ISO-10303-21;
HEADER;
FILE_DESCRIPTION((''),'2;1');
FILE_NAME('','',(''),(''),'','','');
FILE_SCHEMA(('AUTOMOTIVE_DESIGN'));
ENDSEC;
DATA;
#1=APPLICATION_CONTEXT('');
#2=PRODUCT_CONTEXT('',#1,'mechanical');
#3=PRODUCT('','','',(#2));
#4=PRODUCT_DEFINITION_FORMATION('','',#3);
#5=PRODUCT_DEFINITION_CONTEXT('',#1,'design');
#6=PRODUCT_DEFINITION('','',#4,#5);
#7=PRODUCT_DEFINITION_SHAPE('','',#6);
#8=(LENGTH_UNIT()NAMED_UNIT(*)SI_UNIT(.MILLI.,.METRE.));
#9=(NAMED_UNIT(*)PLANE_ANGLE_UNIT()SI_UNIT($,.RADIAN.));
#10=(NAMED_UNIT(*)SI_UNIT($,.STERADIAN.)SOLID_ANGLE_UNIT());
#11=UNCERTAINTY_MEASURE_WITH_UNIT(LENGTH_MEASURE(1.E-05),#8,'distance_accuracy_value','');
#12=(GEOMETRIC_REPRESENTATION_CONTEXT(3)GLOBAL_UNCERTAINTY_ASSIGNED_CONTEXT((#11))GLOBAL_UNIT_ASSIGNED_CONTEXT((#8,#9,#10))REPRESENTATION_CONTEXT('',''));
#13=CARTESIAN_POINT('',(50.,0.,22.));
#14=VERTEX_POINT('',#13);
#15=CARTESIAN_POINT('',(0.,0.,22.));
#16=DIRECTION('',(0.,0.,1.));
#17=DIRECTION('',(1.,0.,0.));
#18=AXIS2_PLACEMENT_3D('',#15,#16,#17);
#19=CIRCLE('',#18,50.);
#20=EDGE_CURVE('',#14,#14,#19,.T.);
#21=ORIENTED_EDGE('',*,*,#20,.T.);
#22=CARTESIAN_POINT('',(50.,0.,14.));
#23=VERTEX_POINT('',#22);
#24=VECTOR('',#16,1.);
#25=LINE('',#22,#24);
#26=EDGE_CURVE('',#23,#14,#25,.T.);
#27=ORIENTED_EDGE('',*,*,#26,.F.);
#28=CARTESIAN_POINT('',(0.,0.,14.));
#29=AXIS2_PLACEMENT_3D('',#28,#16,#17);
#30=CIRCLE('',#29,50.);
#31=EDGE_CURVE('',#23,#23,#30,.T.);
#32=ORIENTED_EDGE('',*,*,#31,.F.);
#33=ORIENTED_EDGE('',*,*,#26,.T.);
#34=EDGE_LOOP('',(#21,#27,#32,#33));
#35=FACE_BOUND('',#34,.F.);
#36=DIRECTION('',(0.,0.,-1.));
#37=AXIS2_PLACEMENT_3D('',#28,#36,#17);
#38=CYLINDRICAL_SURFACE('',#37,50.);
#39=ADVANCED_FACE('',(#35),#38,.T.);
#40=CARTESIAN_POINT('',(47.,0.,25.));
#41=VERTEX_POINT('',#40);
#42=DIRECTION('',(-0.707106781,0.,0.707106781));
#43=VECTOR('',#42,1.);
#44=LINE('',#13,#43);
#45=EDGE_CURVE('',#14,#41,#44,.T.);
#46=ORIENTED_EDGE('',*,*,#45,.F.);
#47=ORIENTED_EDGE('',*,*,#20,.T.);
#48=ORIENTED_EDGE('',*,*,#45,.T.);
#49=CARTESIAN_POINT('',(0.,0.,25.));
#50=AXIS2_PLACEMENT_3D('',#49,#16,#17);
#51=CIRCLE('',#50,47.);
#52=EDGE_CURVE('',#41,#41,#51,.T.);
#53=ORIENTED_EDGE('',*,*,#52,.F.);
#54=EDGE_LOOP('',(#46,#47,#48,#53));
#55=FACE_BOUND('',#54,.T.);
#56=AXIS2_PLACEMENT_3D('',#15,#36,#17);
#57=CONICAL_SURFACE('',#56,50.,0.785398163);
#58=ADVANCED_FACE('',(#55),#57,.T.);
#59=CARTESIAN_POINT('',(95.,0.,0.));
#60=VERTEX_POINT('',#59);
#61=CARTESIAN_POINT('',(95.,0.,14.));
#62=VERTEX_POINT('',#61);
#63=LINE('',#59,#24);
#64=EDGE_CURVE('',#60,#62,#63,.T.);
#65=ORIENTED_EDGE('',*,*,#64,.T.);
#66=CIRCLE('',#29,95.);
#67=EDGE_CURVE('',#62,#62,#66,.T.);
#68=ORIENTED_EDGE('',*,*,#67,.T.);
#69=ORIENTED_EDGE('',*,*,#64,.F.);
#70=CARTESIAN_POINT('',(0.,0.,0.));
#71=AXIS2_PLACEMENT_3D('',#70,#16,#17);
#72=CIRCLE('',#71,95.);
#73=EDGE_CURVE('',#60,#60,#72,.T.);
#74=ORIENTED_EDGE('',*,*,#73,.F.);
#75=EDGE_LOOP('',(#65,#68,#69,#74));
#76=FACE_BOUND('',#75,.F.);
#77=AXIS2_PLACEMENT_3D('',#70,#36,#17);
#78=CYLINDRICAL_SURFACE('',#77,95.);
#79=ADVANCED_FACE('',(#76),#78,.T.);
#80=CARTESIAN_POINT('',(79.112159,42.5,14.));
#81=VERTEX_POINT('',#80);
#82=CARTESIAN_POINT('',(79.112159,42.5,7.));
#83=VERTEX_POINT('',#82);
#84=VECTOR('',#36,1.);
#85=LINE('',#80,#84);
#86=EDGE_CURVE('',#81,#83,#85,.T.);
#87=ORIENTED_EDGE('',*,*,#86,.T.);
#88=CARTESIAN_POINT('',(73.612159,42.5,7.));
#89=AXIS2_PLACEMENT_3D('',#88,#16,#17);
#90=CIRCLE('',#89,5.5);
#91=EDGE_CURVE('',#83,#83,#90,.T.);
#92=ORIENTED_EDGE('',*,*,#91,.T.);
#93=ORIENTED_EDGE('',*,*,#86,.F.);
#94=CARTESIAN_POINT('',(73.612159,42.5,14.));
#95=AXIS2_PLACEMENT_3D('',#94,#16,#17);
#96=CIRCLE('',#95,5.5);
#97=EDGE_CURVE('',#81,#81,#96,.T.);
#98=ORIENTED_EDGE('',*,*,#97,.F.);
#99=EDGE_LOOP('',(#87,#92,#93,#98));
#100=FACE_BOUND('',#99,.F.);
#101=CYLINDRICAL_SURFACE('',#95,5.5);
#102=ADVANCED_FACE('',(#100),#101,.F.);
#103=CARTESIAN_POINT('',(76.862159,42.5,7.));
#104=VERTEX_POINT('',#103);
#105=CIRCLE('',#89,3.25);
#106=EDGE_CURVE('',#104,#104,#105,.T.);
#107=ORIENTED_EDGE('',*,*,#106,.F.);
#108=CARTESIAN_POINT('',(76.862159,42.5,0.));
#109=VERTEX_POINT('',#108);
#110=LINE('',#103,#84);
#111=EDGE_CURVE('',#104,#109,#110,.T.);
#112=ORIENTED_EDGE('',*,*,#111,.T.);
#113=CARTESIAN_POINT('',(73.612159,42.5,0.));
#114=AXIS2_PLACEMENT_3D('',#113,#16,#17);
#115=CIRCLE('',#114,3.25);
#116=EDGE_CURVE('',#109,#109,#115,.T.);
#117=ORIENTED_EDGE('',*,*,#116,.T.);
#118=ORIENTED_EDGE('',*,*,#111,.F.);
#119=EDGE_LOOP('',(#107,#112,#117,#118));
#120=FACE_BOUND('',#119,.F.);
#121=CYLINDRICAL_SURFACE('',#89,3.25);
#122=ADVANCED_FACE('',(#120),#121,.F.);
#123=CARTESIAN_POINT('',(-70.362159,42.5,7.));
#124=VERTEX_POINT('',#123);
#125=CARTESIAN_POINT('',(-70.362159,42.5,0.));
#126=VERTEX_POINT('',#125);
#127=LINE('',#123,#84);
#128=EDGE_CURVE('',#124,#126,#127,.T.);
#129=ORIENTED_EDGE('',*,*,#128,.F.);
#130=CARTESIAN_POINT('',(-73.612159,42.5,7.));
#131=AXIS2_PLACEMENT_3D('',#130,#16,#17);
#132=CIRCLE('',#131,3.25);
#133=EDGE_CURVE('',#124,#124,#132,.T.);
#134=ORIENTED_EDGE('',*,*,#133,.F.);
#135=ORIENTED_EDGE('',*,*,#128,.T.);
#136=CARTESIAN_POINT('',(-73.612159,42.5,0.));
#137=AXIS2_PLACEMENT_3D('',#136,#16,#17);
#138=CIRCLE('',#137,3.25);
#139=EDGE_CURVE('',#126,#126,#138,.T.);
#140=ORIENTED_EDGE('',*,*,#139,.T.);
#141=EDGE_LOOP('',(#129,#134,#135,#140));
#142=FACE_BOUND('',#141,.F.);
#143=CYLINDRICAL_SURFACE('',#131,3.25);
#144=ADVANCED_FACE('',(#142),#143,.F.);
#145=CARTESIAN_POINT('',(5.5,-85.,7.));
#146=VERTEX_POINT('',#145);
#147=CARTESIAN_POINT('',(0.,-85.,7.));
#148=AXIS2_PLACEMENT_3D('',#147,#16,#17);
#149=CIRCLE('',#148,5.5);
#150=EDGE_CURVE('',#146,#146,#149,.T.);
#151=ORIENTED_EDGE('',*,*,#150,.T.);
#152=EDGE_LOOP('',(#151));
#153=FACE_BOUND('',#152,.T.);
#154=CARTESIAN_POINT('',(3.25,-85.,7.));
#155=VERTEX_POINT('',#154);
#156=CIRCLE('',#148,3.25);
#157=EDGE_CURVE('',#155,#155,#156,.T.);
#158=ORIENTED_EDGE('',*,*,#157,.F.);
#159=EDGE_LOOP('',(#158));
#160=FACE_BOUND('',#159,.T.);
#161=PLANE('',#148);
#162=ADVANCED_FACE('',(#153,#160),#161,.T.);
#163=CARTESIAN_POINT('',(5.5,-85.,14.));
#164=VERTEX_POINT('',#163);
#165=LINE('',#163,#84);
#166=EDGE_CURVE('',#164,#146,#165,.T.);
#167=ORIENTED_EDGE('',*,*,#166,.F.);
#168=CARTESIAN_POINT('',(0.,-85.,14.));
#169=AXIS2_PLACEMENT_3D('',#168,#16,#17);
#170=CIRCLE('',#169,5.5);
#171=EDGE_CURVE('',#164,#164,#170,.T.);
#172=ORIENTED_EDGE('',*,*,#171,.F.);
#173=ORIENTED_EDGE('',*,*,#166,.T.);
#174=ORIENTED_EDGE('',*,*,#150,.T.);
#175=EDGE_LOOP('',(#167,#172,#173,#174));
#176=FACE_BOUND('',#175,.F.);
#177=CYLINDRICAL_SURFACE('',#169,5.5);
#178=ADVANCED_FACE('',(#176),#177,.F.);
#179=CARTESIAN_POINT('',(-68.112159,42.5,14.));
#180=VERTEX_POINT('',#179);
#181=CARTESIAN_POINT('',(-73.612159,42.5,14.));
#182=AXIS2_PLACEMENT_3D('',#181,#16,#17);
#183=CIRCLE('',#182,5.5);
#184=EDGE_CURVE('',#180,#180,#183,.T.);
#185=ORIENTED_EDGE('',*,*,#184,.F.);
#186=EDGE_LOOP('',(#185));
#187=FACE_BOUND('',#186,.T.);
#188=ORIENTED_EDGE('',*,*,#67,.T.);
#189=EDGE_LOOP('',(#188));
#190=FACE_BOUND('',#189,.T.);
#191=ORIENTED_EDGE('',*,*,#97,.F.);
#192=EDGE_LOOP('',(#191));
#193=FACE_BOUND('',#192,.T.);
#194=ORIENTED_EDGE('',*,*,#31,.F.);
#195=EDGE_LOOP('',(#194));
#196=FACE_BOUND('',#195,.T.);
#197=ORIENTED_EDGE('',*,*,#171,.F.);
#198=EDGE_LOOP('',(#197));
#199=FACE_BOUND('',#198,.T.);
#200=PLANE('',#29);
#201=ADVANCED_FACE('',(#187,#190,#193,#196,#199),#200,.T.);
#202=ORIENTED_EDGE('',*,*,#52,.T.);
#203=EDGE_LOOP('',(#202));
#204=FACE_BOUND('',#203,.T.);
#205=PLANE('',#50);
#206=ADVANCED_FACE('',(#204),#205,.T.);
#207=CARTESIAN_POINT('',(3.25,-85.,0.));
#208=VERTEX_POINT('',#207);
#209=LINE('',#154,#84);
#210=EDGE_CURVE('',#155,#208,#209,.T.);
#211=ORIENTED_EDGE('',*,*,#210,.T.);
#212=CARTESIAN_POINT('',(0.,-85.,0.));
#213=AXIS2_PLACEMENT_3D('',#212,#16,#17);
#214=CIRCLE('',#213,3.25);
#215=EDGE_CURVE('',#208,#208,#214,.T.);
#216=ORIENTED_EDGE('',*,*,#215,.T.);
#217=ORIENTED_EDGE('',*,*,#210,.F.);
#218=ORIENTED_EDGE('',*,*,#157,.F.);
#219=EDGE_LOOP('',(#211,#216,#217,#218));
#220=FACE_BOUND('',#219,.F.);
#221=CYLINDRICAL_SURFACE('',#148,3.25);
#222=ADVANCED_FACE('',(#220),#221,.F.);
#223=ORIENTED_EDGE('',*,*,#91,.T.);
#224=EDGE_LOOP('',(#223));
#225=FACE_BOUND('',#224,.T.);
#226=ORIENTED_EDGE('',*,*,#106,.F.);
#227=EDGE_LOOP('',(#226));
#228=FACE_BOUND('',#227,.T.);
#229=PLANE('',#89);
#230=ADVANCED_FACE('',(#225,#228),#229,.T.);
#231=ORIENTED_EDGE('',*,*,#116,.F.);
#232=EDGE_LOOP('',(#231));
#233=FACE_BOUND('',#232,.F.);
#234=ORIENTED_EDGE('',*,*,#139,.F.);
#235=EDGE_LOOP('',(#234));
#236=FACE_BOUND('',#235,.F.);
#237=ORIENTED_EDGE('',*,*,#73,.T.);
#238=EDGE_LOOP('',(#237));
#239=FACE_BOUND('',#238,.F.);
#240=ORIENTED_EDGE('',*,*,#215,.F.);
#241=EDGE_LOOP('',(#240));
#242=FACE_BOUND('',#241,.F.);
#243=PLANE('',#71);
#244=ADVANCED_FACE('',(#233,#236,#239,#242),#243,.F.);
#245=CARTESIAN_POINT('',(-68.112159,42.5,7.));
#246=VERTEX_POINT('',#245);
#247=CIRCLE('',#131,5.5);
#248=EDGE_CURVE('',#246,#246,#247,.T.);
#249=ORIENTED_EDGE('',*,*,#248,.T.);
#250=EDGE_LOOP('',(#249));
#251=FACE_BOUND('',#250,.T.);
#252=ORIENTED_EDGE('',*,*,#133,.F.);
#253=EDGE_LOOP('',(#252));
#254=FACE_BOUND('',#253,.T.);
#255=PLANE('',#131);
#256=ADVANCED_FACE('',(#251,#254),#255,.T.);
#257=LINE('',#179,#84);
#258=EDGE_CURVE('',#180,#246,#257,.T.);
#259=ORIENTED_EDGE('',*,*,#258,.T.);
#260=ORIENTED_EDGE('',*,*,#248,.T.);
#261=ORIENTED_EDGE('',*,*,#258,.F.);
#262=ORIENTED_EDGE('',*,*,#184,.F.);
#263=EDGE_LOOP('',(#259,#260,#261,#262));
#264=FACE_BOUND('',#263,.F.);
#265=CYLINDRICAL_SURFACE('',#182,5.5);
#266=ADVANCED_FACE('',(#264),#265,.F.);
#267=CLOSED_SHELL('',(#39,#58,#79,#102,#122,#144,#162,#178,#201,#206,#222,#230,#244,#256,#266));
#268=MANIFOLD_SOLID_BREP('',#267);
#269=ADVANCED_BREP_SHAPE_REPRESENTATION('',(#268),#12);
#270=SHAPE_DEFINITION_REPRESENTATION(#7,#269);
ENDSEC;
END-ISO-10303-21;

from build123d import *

# Parameters (mm, degrees)
F0_R     = 95
F1_DEPTH = 14
F2_R     = 50
F3_DEPTH = 11
F4_SIZE  = 3
F5_R     = 5.5
F6_DEPTH = 7
F7_R     = 3.25
F8_DEPTH = 25


with BuildPart() as f1:
    # F0 (on Top) → F1 (new body)
    with BuildSketch(Plane.XY):
        Circle(F0_R)
    extrude(amount=F1_DEPTH)

    # F2 (on face) → F3 (join)
    with BuildSketch(Plane.XY.offset(14)):
        Circle(F2_R)
    extrude(amount=F3_DEPTH)

    # F4
    f4_edges = [f1.edges().sort_by_distance(p)[0] for p in [
        (-50, 0, 25),
    ]]
    chamfer(f4_edges, length=F4_SIZE)

    # F5 (on face) → F6 (cut)
    with BuildSketch(Plane.XY.offset(14)):
        with Locations((0, -85)):
            Circle(F5_R)
        with Locations((-73.612159, 42.5)):
            Circle(F5_R)
        with Locations((73.612159, 42.5)):
            Circle(F5_R)
    extrude(amount=-F6_DEPTH, mode=Mode.SUBTRACT)

    # F7 (on face) → F8 (cut)
    with BuildSketch(Plane.XY.offset(7)):
        with Locations((0, -85)):
            Circle(F7_R)
        with Locations((73.612159, 42.5)):
            Circle(F7_R)
        with Locations((-73.612159, 42.5)):
            Circle(F7_R)
    extrude(amount=-F8_DEPTH, mode=Mode.SUBTRACT)


solid = f1.part
